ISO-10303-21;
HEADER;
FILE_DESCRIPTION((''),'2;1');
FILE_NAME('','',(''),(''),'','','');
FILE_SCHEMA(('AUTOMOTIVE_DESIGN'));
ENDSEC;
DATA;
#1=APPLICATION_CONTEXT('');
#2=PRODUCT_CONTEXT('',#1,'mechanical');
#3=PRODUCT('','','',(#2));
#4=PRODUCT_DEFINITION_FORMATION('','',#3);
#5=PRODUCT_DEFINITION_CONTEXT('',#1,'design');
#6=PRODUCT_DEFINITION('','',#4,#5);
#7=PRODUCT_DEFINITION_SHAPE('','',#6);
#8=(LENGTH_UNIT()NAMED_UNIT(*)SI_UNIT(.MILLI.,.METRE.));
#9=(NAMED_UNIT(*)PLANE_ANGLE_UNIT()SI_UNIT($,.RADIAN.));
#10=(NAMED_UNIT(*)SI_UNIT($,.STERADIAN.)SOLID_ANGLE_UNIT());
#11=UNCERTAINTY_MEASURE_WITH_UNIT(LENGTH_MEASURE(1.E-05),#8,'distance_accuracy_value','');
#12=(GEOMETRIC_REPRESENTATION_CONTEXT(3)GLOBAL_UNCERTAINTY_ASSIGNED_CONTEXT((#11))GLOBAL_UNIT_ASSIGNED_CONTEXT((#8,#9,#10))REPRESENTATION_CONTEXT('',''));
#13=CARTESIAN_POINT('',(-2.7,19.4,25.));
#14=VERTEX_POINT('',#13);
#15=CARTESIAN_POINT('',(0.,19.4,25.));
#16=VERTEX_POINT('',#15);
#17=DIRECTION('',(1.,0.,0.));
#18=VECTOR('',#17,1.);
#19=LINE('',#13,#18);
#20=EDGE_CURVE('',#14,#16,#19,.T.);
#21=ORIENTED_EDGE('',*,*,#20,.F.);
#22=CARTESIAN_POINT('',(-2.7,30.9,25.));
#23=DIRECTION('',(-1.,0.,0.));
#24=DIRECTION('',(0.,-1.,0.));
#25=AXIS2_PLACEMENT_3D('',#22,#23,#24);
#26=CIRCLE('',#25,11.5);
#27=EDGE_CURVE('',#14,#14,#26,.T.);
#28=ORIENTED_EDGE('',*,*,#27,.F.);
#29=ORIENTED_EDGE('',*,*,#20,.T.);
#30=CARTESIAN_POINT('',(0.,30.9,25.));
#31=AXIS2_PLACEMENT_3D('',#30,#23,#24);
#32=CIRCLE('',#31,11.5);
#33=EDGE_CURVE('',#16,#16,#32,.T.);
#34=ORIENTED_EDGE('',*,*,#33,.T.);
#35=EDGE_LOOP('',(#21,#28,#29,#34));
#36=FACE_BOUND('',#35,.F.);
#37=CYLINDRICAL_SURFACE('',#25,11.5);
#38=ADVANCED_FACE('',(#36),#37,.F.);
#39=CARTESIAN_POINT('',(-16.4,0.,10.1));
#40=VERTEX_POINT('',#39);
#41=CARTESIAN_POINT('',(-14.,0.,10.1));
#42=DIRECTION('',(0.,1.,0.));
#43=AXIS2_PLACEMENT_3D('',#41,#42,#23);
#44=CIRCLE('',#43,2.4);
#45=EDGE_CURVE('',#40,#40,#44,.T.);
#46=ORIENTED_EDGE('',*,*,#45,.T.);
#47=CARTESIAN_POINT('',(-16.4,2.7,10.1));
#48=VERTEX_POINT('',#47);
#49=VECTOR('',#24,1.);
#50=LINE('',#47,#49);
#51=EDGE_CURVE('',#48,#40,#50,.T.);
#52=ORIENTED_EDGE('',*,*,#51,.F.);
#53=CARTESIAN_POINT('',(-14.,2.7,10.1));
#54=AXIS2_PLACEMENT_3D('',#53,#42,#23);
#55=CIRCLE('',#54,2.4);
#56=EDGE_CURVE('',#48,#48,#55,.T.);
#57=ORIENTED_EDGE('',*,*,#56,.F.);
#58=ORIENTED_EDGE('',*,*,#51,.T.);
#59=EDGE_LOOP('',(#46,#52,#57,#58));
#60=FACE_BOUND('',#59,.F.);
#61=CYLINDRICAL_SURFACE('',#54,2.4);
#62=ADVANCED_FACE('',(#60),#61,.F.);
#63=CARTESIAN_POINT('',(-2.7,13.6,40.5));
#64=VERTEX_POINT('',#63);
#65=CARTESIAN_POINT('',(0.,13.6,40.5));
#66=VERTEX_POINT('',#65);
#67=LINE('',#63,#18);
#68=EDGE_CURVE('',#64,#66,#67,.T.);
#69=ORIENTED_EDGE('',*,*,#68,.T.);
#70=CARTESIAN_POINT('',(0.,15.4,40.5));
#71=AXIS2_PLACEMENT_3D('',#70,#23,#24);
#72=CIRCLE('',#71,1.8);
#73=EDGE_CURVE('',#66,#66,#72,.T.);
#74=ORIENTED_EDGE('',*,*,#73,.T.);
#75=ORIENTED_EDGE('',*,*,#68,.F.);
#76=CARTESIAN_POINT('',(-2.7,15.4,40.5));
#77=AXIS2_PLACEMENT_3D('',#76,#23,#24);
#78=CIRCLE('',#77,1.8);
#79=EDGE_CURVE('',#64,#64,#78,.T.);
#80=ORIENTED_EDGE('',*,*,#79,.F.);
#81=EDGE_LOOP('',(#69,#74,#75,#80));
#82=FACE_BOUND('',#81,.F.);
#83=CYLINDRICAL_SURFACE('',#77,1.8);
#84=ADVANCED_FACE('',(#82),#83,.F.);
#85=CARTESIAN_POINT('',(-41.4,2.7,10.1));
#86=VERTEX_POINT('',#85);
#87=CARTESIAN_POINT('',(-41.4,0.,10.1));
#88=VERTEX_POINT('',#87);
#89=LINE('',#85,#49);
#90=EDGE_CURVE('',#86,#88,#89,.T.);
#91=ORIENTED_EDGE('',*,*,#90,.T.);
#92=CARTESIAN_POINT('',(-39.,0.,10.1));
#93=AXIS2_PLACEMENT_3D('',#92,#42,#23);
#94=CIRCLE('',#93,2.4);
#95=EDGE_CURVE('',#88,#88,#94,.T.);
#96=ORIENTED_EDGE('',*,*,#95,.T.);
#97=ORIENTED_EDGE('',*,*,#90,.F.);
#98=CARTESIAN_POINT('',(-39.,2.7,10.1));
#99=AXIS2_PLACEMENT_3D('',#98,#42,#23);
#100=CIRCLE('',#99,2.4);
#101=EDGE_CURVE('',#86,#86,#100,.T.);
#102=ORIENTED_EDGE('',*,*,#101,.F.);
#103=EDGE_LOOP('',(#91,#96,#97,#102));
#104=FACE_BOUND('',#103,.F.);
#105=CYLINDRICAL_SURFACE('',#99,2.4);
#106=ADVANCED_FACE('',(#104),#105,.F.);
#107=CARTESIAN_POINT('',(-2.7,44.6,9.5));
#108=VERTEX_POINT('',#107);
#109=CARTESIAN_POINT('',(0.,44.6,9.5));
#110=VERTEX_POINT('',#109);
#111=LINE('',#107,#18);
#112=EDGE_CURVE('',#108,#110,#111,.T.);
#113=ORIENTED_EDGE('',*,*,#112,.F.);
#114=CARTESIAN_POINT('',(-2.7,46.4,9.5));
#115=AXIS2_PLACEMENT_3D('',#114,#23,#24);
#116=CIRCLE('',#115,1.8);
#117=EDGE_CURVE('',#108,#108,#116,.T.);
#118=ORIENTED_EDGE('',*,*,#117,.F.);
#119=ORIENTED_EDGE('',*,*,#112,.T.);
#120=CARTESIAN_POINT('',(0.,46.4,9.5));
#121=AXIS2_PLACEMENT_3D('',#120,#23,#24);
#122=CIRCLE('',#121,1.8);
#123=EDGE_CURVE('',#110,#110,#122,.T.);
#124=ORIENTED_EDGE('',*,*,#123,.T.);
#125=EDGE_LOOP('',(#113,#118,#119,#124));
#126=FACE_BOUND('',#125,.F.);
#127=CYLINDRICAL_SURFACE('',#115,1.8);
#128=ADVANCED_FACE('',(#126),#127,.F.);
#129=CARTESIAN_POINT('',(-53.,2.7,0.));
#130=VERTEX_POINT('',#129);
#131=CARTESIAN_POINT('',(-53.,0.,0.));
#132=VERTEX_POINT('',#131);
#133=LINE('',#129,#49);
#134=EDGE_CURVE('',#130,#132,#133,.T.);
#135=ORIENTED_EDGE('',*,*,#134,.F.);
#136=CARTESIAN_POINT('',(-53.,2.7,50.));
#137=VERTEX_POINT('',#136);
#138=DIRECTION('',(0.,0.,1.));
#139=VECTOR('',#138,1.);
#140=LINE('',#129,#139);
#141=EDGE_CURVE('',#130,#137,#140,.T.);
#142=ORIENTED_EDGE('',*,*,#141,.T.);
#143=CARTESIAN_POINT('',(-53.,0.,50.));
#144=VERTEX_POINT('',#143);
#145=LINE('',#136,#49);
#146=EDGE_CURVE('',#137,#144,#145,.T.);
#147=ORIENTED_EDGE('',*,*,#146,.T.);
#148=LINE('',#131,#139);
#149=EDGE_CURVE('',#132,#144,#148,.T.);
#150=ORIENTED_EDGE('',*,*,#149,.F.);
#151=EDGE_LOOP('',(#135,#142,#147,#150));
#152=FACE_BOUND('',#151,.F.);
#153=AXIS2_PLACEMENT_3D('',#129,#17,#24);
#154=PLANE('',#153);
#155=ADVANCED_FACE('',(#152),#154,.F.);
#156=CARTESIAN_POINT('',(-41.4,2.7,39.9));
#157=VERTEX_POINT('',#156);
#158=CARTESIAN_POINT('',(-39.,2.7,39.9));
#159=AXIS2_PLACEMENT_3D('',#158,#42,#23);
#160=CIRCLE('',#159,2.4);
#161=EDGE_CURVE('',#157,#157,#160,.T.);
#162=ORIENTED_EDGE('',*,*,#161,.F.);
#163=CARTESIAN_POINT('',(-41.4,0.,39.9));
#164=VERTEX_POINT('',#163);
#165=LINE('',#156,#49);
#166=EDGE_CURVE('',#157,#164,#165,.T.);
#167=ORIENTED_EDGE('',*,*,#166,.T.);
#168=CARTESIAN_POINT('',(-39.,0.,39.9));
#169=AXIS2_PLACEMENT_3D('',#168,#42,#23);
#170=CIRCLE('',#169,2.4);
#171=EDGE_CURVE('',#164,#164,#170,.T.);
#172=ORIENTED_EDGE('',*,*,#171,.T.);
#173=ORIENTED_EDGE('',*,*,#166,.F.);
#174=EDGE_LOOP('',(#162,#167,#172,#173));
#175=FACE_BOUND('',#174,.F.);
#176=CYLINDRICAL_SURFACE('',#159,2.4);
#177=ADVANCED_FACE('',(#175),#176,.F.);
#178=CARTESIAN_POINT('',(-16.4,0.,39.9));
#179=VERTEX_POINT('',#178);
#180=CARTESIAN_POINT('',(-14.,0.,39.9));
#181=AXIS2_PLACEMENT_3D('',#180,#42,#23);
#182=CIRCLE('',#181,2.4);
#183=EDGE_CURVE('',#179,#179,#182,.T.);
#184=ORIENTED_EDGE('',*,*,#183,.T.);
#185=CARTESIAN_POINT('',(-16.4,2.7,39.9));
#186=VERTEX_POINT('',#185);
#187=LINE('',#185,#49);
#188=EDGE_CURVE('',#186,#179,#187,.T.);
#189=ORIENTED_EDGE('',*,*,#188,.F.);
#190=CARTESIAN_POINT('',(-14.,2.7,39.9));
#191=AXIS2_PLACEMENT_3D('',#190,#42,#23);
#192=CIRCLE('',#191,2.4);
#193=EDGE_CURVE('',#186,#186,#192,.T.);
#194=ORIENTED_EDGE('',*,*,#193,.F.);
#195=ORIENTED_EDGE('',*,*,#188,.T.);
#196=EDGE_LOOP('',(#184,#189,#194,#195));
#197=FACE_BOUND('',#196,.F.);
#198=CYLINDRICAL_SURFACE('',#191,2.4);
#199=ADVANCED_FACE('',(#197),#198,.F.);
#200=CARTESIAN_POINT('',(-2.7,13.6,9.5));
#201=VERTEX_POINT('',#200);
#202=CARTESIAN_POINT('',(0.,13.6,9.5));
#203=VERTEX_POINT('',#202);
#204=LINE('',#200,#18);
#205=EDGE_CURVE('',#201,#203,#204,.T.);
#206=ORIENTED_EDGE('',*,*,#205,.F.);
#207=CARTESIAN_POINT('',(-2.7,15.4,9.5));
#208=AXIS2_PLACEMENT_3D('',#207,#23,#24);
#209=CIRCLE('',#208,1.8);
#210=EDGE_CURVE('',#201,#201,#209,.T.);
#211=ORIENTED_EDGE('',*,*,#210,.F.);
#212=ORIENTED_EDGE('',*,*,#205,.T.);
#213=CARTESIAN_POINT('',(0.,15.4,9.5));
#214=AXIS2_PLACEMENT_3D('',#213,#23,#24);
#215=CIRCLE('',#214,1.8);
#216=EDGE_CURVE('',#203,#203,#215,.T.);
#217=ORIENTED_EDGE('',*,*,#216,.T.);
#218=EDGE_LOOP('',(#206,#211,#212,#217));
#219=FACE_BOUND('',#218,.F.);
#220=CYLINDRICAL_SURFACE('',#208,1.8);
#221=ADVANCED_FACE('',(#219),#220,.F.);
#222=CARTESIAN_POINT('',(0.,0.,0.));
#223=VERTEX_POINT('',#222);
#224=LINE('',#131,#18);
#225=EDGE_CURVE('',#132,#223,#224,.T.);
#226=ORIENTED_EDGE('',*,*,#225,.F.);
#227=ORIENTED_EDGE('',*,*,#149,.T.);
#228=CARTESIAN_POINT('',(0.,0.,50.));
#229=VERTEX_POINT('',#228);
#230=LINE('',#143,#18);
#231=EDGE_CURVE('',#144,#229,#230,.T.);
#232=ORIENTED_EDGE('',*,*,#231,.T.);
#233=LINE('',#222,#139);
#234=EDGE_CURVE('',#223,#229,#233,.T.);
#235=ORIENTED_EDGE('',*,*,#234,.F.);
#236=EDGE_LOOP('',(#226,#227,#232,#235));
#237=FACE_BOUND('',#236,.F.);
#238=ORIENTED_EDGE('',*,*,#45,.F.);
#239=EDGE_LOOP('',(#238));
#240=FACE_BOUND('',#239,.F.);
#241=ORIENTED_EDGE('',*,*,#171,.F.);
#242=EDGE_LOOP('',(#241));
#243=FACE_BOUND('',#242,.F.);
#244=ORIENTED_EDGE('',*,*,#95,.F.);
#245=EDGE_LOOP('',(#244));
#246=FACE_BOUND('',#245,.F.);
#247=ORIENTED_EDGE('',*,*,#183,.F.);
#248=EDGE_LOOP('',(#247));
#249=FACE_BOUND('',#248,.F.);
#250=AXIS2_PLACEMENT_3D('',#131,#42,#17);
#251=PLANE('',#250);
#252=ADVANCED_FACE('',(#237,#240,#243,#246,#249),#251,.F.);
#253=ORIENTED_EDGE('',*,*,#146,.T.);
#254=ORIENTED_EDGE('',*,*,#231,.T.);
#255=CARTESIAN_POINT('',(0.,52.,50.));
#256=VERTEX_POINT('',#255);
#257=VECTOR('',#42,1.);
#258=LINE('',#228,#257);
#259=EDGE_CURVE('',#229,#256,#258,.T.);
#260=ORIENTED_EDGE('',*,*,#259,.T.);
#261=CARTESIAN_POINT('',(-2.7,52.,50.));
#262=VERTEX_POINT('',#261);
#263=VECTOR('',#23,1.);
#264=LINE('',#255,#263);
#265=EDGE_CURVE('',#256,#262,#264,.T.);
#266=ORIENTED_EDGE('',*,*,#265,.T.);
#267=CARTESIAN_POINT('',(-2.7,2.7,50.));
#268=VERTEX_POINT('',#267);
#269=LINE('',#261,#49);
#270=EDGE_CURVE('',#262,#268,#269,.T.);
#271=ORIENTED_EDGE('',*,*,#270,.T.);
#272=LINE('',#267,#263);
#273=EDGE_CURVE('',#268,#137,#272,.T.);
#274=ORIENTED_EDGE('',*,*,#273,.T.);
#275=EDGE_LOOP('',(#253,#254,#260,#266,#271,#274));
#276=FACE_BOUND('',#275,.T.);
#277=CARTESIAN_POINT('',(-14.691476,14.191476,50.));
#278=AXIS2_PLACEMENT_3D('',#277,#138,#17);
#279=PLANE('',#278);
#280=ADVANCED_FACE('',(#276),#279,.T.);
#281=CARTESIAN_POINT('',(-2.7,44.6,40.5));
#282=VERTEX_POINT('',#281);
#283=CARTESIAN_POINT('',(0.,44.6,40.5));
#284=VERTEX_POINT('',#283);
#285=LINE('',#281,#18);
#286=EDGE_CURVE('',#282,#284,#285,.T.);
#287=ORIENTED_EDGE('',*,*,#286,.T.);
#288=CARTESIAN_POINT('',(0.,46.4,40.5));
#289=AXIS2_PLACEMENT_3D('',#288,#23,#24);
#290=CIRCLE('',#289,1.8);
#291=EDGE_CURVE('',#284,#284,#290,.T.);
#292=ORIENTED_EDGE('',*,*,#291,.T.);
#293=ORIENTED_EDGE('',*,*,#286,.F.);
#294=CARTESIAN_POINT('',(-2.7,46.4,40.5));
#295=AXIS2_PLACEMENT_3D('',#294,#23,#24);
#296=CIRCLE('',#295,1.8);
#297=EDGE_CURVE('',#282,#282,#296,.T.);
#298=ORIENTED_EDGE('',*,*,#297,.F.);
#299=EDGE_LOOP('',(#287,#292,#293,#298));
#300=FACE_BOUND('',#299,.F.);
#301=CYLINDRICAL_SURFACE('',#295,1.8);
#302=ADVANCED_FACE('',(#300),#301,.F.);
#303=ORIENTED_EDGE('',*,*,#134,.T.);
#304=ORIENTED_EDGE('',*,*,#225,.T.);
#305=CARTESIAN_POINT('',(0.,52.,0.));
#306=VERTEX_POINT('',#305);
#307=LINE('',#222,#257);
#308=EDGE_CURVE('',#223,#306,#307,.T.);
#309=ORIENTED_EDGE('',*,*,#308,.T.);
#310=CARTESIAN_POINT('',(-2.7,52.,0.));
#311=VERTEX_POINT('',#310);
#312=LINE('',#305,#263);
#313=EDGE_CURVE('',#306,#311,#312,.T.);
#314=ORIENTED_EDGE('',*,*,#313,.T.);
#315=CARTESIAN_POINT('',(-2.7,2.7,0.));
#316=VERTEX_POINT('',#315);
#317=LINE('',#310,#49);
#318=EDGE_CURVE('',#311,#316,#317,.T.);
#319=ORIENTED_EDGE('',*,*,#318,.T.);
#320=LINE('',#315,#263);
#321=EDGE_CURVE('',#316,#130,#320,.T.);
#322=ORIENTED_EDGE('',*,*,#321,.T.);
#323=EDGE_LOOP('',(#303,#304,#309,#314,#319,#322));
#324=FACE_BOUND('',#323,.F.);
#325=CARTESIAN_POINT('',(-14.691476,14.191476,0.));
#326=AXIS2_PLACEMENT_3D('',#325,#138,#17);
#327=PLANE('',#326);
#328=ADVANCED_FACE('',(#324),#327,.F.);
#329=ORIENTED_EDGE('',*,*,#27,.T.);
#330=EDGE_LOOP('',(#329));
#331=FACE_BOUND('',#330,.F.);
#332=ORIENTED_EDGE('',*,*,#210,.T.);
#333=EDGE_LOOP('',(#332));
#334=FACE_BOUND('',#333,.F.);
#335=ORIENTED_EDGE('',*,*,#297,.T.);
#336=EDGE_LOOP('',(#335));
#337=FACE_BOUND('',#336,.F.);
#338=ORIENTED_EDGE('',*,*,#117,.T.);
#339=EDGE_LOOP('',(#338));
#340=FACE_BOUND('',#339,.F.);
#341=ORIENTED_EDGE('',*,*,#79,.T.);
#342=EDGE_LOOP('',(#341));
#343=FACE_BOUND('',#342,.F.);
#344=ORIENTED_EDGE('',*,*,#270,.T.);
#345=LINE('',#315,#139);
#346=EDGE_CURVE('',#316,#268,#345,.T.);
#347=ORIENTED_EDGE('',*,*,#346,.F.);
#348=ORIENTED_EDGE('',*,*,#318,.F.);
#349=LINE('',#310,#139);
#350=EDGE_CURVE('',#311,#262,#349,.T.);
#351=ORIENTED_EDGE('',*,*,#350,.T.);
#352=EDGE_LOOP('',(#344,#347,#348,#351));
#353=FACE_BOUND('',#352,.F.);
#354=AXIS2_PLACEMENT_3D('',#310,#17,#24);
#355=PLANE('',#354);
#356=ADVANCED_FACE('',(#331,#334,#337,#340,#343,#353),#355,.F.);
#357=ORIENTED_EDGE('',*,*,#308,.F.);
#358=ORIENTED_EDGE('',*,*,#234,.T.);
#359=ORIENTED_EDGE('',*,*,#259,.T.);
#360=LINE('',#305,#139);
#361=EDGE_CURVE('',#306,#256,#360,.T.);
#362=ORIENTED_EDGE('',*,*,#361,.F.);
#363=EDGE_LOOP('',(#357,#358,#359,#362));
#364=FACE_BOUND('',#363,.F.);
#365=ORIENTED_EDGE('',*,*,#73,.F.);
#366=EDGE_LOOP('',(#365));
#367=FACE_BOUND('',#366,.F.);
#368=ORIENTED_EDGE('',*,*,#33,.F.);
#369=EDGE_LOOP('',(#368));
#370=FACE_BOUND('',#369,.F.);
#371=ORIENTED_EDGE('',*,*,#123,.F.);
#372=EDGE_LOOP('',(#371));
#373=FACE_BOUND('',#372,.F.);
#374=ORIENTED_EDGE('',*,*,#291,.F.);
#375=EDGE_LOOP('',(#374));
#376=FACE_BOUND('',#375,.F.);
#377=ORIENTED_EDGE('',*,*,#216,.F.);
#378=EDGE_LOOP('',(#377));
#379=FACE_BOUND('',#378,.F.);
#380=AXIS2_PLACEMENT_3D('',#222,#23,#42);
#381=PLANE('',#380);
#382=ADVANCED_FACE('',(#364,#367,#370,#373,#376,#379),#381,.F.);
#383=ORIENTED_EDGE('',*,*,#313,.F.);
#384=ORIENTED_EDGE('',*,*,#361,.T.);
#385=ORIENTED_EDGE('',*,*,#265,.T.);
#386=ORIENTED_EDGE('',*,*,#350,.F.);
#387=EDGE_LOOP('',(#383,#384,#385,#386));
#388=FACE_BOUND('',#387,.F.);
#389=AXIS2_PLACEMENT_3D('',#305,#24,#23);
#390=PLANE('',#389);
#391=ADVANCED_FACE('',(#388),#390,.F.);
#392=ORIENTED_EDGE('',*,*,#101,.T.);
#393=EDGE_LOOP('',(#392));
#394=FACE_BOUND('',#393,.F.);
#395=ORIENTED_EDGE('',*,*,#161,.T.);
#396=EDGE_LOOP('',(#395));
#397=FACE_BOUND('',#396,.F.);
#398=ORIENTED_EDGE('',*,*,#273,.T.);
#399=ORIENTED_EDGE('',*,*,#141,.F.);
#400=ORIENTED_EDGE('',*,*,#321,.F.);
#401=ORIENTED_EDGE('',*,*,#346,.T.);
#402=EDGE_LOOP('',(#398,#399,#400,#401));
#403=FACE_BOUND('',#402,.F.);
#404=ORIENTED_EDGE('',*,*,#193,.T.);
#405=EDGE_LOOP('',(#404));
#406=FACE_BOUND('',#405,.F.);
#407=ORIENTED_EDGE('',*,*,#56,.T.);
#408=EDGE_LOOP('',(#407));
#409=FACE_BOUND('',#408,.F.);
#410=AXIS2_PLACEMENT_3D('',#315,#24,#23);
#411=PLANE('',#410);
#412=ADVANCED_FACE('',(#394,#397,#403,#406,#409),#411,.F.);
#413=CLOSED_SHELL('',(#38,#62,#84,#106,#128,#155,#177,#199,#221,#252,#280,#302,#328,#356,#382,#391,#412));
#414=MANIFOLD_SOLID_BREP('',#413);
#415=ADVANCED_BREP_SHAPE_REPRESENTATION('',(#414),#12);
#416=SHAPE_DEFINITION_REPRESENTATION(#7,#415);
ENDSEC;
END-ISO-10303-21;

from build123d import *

# Parameters (mm, degrees)
PAD_DEPTH       = 50
SKETCH001_R     = 11.5
SKETCH001_R_2   = 1.8
POCKET_DEPTH    = 2.7
SKETCH002_R     = 2.4
POCKET001_DEPTH = 5


with BuildPart() as part:
    # Sketch → Pad (new body)
    with BuildSketch(Plane.XY):
        Polygon((-2.7, 2.7), (-53, 2.7), (-53, 0), (0, 0), (0, 52), (-2.7, 52), align=None)
    extrude(amount=PAD_DEPTH)

    # Sketch001 → Pocket (cut)
    with BuildSketch(Plane(origin=(-2.7, 0, 0), x_dir=(0, -1, 0), z_dir=(-1, 0, 0))):
        with Locations((-30.9, 25)):
            Circle(SKETCH001_R)
        with Locations((-46.4, 40.5)):
            Circle(SKETCH001_R_2)
        with Locations((-15.4, 40.5)):
            Circle(SKETCH001_R_2)
        with Locations((-15.4, 9.5)):
            Circle(SKETCH001_R_2)
        with Locations((-46.4, 9.5)):
            Circle(SKETCH001_R_2)
    extrude(amount=-POCKET_DEPTH, mode=Mode.SUBTRACT)

    # Sketch002 → Pocket001 (cut)
    with BuildSketch(Plane(origin=(0, 2.7, 0), x_dir=(-1, 0, 0), z_dir=(0, 1, 0))):
        with Locations((14, 39.9)):
            Circle(SKETCH002_R)
        with Locations((39, 39.9)):
            Circle(SKETCH002_R)
        with Locations((39, 10.1)):
            Circle(SKETCH002_R)
        with Locations((14, 10.1)):
            Circle(SKETCH002_R)
    extrude(amount=-POCKET001_DEPTH, mode=Mode.SUBTRACT)


solid = part.part
